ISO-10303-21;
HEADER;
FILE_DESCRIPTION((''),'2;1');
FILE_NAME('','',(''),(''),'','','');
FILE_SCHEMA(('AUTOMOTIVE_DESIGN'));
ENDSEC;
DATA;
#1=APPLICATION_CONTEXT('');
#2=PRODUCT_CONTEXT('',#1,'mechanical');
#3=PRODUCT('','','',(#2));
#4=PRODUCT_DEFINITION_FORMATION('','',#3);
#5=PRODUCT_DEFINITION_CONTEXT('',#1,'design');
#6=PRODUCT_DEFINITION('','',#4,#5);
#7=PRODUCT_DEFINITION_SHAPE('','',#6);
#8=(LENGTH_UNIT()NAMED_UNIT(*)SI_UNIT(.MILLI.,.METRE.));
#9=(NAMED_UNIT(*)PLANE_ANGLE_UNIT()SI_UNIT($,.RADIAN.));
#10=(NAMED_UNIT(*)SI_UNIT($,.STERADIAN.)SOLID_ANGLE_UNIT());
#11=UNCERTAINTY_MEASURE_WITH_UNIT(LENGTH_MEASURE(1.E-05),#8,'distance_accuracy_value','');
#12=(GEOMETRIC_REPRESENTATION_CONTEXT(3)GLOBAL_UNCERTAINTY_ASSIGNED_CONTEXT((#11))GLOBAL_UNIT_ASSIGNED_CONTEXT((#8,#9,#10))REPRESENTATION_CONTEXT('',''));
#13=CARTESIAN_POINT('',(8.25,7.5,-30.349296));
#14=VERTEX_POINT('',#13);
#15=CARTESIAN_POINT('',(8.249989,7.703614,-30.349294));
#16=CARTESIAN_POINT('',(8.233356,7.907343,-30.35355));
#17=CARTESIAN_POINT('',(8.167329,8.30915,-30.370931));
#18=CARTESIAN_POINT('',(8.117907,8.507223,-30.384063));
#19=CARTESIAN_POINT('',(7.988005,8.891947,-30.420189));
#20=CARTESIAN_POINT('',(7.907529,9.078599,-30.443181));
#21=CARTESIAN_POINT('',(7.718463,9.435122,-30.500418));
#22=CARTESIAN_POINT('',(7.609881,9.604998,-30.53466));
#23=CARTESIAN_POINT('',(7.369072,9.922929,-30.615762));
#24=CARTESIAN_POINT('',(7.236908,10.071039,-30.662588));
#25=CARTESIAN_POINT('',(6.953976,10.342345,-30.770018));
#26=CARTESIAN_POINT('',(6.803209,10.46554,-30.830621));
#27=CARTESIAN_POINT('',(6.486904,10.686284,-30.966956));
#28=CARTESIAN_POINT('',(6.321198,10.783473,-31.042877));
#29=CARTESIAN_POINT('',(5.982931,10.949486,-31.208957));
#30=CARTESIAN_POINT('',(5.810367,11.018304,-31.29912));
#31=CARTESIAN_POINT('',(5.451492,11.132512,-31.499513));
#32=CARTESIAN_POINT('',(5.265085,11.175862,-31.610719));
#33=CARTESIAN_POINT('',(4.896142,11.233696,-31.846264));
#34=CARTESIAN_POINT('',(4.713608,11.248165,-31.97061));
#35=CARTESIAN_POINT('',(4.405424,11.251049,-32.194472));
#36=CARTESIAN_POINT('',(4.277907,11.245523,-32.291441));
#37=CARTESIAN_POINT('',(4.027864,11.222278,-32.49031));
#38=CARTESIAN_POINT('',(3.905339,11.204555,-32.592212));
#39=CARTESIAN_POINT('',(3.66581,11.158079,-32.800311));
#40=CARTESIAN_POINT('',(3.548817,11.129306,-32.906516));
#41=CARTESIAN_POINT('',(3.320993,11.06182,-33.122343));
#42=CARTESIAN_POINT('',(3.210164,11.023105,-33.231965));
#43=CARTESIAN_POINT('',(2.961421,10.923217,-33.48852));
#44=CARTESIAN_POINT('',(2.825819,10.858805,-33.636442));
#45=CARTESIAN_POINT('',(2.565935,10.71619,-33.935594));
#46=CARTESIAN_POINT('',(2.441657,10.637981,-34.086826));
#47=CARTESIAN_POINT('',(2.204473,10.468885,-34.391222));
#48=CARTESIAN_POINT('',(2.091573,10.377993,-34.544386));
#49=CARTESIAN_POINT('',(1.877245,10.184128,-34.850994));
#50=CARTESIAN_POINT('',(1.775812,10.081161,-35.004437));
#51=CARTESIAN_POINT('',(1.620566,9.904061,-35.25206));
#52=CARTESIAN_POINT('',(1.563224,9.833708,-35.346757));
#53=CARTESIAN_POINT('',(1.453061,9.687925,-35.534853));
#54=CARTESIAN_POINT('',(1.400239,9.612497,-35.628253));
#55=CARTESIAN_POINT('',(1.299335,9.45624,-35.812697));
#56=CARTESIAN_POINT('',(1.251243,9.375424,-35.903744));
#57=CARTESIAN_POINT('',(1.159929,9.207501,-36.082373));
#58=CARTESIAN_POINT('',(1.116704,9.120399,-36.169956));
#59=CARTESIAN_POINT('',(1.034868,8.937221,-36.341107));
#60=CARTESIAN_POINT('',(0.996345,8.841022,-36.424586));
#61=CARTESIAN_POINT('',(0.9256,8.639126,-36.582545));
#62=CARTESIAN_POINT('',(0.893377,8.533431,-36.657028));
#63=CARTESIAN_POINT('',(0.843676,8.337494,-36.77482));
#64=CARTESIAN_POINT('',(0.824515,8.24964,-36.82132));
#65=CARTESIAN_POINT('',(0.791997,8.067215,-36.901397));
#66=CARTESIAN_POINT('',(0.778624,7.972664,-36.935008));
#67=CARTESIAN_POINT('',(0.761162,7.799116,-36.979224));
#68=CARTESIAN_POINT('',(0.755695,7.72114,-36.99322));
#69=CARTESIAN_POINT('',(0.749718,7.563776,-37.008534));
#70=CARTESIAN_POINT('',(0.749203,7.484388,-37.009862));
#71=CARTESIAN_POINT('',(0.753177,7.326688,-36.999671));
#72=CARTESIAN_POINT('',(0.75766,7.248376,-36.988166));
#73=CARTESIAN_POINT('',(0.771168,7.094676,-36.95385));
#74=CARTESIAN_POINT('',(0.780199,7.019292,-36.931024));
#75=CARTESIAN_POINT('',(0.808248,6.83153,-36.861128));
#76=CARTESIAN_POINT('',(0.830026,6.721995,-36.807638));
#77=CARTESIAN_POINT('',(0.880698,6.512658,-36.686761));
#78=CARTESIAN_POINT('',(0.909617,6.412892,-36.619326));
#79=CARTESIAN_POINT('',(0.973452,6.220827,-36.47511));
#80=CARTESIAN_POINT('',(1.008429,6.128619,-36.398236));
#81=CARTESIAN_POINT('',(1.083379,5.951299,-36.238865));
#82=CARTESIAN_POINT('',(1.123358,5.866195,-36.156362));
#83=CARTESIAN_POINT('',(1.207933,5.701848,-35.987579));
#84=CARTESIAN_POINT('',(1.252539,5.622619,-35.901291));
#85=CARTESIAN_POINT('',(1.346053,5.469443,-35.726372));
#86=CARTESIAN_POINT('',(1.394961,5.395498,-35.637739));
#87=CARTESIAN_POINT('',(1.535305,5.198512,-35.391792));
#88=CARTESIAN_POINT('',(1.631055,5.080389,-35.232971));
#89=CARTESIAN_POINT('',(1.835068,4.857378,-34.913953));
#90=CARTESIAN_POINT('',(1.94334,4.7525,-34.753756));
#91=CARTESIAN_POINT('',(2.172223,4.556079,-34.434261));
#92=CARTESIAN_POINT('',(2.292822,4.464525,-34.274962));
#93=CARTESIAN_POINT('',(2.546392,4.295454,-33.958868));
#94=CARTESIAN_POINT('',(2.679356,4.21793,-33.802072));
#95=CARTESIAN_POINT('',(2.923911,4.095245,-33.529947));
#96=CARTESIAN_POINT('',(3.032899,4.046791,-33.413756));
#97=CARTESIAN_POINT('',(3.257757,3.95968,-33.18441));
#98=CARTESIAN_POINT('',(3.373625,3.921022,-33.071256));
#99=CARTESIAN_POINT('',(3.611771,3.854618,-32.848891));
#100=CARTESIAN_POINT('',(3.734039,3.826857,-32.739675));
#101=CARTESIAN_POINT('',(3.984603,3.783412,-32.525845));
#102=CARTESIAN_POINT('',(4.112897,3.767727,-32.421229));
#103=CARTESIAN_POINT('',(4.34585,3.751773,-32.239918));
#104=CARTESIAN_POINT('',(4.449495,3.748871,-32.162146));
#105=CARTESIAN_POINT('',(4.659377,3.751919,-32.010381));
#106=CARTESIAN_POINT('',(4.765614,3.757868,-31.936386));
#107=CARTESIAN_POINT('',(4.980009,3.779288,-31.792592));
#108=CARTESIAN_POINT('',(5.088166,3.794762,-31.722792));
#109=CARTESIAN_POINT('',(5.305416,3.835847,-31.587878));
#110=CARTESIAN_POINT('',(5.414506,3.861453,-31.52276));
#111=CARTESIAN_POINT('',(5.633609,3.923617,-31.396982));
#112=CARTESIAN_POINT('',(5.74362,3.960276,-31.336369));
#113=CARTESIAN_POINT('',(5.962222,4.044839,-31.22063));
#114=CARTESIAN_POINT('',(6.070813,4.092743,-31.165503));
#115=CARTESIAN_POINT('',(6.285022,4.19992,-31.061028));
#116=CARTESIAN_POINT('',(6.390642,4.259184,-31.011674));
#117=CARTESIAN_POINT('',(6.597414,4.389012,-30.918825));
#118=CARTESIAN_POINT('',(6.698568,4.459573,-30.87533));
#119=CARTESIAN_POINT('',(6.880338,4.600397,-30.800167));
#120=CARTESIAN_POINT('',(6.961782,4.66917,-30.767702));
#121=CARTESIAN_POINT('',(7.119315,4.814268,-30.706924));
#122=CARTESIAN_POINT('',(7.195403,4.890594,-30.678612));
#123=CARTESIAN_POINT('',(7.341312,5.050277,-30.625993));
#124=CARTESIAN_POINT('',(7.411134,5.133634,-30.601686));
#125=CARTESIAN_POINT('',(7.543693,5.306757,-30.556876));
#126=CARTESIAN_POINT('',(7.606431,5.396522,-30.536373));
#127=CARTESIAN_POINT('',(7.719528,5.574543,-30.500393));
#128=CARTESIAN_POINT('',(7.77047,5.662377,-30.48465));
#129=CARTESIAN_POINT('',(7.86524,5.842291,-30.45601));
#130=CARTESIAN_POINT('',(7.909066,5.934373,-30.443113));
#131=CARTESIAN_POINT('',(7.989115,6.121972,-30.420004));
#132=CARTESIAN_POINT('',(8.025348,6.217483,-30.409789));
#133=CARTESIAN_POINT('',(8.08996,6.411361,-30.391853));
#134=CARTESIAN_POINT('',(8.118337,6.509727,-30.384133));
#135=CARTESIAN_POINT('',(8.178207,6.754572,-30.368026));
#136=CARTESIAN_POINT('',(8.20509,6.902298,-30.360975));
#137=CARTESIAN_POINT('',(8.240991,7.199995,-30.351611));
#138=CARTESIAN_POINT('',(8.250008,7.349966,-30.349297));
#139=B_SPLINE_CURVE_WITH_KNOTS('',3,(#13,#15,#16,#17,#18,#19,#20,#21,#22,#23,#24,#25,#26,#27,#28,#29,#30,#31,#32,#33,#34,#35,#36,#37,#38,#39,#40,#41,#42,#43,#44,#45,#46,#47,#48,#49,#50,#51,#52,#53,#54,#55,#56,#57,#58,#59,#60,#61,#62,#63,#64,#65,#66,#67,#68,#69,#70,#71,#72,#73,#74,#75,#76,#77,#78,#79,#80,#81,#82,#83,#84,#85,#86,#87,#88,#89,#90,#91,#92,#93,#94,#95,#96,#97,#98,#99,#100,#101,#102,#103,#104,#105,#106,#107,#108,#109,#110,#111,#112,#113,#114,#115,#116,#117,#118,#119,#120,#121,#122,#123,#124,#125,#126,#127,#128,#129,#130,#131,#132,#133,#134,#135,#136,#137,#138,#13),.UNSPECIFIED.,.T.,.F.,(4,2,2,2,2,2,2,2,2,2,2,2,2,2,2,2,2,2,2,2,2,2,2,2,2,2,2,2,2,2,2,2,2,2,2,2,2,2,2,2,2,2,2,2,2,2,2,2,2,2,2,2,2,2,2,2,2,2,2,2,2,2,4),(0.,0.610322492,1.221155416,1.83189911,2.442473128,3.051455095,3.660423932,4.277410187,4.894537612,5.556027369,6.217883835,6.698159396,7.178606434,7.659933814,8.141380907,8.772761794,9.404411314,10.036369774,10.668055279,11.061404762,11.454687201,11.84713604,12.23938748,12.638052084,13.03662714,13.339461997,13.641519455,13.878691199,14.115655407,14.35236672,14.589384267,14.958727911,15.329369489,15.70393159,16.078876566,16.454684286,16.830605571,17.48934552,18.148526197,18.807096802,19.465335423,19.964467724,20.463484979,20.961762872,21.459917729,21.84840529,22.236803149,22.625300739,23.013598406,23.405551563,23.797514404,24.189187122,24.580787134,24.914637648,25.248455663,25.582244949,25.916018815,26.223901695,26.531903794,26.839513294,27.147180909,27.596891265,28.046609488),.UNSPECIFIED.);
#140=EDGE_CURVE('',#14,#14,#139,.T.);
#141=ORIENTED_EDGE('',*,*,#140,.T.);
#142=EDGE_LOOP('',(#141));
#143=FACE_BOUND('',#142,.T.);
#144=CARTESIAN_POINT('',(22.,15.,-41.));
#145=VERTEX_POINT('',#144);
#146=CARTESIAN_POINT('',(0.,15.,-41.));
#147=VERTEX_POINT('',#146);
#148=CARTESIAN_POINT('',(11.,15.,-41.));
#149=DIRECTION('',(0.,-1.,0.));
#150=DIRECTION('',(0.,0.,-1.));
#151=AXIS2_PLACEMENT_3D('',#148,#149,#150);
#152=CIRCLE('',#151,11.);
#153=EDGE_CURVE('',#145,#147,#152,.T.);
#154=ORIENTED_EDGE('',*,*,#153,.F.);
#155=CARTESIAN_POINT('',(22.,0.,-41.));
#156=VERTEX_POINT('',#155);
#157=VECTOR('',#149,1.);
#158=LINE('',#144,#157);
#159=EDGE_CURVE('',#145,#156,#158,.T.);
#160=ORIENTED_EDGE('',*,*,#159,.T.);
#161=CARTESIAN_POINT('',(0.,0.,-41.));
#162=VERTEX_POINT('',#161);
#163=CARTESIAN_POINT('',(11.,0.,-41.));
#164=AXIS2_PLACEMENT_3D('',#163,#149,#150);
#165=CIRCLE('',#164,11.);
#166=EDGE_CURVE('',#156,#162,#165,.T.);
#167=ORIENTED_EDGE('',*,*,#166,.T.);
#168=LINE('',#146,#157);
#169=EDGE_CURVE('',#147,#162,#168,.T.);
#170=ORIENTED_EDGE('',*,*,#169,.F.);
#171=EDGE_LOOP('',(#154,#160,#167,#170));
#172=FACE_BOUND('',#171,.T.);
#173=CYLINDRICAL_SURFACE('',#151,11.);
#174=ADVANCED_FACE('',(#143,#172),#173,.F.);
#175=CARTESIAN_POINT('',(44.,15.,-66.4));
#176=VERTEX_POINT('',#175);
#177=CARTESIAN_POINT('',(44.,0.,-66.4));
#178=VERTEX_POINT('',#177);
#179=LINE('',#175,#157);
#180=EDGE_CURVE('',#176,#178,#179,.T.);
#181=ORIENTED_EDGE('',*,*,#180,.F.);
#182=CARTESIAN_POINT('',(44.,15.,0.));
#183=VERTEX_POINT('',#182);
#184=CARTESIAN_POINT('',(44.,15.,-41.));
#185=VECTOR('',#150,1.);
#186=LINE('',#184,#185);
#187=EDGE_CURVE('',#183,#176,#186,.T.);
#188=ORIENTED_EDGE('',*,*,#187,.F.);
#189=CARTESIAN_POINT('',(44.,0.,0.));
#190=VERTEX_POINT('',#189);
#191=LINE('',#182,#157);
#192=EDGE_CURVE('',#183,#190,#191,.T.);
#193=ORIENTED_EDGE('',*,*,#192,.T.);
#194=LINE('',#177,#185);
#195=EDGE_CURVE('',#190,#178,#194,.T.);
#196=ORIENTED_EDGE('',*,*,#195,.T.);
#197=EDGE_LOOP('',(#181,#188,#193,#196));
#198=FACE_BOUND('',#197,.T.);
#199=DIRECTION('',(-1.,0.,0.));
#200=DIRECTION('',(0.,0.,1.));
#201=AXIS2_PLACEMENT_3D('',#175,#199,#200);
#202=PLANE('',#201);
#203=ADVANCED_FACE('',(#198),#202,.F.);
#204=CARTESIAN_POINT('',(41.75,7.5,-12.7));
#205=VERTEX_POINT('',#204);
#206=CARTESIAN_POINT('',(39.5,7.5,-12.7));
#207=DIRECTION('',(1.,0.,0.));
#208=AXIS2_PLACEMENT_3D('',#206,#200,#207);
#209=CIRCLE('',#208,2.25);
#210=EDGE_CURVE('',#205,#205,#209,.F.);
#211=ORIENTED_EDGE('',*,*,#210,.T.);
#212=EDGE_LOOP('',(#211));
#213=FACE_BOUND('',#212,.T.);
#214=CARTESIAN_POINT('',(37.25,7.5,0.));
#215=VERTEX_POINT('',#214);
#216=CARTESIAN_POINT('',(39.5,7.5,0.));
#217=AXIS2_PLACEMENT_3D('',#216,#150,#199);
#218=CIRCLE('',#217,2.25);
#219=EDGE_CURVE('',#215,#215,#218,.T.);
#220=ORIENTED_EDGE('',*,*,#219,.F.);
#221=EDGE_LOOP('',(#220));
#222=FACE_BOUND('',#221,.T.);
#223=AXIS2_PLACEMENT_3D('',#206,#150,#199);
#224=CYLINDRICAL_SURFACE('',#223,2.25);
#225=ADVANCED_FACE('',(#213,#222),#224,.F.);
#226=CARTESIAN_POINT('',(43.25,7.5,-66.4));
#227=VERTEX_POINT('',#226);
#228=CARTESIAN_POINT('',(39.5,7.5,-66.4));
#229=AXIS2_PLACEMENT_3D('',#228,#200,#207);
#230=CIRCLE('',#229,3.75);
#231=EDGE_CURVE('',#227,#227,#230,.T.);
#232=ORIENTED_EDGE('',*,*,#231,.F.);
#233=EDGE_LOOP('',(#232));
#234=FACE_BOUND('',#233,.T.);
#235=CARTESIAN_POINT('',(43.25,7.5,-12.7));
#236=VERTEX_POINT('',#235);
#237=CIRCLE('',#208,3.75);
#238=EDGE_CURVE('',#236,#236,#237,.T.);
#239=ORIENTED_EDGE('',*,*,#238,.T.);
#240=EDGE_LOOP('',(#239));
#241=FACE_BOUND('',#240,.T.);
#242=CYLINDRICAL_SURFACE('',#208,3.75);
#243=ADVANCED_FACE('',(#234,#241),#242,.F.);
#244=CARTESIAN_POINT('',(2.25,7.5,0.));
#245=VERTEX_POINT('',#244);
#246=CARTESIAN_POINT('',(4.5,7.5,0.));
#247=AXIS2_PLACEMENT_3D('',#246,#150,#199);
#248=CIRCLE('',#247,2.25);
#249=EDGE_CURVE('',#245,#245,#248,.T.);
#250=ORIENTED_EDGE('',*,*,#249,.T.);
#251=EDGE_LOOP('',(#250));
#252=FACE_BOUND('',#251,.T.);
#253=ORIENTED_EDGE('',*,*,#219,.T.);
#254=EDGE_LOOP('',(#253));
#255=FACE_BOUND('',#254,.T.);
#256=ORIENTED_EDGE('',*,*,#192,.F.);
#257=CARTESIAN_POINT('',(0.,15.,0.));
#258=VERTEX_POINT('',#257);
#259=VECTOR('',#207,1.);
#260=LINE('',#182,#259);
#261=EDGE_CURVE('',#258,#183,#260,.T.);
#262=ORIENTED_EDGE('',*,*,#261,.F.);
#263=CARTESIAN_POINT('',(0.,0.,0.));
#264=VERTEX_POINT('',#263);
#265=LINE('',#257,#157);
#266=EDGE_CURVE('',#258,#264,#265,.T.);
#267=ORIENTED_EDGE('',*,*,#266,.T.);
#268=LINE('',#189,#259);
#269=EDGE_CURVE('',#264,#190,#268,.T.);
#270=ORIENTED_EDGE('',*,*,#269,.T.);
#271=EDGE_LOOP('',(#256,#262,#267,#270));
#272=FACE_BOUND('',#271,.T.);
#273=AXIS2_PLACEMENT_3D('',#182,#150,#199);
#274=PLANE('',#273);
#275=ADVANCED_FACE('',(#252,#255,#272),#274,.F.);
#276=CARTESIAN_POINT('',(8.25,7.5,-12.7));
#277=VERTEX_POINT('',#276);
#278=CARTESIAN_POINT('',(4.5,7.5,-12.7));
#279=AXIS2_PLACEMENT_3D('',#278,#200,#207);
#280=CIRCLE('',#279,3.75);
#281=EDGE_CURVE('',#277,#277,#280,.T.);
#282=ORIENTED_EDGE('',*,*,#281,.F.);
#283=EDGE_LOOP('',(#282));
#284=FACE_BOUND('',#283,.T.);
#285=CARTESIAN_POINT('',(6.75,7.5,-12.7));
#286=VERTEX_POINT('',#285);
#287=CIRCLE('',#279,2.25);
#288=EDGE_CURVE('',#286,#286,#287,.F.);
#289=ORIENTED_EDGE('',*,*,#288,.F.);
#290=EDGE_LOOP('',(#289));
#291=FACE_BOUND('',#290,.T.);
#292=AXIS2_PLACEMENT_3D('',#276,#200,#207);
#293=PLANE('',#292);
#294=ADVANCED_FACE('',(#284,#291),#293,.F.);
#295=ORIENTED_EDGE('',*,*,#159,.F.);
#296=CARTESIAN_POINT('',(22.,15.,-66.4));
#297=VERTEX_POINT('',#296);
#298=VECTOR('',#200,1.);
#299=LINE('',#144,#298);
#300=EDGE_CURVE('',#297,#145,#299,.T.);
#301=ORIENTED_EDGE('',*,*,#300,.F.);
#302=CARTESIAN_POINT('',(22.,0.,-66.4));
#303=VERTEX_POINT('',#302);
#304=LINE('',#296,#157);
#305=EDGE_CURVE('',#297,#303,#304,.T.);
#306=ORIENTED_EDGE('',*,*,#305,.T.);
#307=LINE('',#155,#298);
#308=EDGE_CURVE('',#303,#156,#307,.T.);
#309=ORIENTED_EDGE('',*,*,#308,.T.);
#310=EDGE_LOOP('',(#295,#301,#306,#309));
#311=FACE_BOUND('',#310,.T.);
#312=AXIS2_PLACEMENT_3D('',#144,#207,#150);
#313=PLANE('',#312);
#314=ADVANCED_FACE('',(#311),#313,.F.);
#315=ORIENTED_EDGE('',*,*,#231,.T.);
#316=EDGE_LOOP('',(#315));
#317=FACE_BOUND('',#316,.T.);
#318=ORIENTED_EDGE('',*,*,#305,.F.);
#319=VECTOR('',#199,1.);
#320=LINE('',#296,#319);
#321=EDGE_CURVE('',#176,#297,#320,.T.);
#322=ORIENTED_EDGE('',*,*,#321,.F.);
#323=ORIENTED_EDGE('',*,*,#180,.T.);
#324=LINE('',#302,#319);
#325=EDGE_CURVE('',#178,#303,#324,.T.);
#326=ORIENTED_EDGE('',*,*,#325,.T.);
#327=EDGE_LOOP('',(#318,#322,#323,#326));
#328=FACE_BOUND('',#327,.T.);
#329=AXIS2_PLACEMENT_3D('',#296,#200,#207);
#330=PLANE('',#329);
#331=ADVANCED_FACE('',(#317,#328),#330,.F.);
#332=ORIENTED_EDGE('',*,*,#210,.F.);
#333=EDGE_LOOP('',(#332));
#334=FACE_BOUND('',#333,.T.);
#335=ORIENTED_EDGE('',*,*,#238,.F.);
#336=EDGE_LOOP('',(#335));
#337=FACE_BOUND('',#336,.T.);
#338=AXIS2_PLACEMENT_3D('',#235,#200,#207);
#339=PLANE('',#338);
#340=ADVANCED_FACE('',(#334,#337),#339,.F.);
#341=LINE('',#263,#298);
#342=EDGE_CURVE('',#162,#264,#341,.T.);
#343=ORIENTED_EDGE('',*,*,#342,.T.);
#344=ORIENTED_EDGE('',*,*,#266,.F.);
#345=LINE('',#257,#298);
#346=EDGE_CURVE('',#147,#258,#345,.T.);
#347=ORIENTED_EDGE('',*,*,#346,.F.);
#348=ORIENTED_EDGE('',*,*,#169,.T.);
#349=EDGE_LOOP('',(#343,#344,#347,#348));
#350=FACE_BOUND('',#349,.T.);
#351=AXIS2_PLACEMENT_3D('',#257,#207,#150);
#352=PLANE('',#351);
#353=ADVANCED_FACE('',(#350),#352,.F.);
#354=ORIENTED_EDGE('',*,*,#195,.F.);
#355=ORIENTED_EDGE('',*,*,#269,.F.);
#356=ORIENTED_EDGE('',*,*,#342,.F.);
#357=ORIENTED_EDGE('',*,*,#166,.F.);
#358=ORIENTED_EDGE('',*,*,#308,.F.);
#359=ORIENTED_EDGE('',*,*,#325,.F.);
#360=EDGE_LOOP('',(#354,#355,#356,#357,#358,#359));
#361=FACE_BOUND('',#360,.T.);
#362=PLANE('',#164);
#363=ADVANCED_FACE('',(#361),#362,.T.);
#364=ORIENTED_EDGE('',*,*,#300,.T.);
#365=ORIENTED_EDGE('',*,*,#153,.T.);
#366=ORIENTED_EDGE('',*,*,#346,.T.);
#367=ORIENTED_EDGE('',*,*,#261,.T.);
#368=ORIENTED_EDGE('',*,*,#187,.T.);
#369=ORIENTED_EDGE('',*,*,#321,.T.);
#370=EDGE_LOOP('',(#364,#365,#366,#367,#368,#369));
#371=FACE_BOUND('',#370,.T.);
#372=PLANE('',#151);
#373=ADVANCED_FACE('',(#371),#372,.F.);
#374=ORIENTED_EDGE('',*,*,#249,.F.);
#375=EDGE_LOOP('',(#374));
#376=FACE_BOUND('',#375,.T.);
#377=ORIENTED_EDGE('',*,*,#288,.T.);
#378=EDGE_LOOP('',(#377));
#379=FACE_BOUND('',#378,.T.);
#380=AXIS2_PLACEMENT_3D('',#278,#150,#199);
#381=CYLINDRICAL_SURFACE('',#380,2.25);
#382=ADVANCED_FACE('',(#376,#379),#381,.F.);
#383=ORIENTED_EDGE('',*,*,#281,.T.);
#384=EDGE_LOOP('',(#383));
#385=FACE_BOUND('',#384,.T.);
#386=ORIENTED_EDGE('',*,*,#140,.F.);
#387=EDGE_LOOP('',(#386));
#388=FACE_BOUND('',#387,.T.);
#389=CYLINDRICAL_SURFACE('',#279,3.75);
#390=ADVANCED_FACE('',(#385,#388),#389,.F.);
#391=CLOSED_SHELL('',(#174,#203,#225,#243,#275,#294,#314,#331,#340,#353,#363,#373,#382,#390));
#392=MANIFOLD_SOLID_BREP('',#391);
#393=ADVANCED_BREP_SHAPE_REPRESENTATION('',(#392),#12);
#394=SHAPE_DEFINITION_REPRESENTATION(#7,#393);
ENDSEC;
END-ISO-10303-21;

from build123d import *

# Parameters (mm, degrees)
BOSS_EXTRUDE1_DEPTH            = 15
SKETCH11_W                     = 2.25
SKETCH11_H                     = 12.7
M4_CLEARANCE_HOLE5_AT_2_COUNT  = 2
M4_CLEARANCE_HOLE5_AT_2_PITCH  = 35
SKETCH13_W                     = 3.75
SKETCH13_H                     = 53.7
F_6_0MM_DOWEL_HOLE1_AT_2_COUNT = 2
F_6_0MM_DOWEL_HOLE1_AT_2_PITCH = 35


with BuildPart() as part:
    # Sketch1 → Boss-Extrude1 (new body)
    with BuildSketch(Plane(origin=(0, 0, 0), x_dir=(1, 0, 0), z_dir=(0, 1, 0))):
        with BuildLine():
            Line((0, 0), (0, 41))
            ThreePointArc((0, 41), (11, 30), (22, 41))
            Line((22, 41), (22, 66.4))
            Line((22, 66.4), (44, 66.4))
            Line((44, 66.4), (44, 41))
            Line((44, 41), (44, 0))
            Line((44, 0), (0, 0))
        make_face()
    extrude(amount=BOSS_EXTRUDE1_DEPTH)

    # Sketch11 → M4 Clearance Hole5 (revolve, cut)
    with BuildSketch(Plane(origin=(39.5, 7.5, -12.7), x_dir=(0, 1, 0), z_dir=(1, 0, 0))):
        with Locations((1.125, 6.35)):
            Rectangle(SKETCH11_W, SKETCH11_H)
    m4_clearance_hole5 = revolve(axis=Axis((39.5, 7.5, -19.05), (0, 0, 1)), mode=Mode.SUBTRACT)

    # M4 Clearance Hole5 at 2: M4 Clearance Hole5 ×2
    with Locations(*[(-i * M4_CLEARANCE_HOLE5_AT_2_PITCH, 0, 0) for i in range(1, M4_CLEARANCE_HOLE5_AT_2_COUNT)]):
        add(m4_clearance_hole5, mode=Mode.SUBTRACT)

    # Sketch13 → Ø6.0mm Dowel Hole1 (revolve, cut)
    with BuildSketch(Plane(origin=(39.5, 7.5, -12.7), x_dir=(0, -1, 0), z_dir=(1, 0, 0))):
        with Locations((1.875, 26.85)):
            Rectangle(SKETCH13_W, SKETCH13_H)
    f_6_0mm_dowel_hole1 = revolve(axis=Axis((39.5, 7.5, -6.35), (0, 0, -1)), mode=Mode.SUBTRACT)

    # Ø6.0mm Dowel Hole1 at 2: Ø6.0mm Dowel Hole1 ×2
    with Locations(*[(-i * F_6_0MM_DOWEL_HOLE1_AT_2_PITCH, 0, 0) for i in range(1, F_6_0MM_DOWEL_HOLE1_AT_2_COUNT)]):
        add(f_6_0mm_dowel_hole1, mode=Mode.SUBTRACT)


solid = part.part
